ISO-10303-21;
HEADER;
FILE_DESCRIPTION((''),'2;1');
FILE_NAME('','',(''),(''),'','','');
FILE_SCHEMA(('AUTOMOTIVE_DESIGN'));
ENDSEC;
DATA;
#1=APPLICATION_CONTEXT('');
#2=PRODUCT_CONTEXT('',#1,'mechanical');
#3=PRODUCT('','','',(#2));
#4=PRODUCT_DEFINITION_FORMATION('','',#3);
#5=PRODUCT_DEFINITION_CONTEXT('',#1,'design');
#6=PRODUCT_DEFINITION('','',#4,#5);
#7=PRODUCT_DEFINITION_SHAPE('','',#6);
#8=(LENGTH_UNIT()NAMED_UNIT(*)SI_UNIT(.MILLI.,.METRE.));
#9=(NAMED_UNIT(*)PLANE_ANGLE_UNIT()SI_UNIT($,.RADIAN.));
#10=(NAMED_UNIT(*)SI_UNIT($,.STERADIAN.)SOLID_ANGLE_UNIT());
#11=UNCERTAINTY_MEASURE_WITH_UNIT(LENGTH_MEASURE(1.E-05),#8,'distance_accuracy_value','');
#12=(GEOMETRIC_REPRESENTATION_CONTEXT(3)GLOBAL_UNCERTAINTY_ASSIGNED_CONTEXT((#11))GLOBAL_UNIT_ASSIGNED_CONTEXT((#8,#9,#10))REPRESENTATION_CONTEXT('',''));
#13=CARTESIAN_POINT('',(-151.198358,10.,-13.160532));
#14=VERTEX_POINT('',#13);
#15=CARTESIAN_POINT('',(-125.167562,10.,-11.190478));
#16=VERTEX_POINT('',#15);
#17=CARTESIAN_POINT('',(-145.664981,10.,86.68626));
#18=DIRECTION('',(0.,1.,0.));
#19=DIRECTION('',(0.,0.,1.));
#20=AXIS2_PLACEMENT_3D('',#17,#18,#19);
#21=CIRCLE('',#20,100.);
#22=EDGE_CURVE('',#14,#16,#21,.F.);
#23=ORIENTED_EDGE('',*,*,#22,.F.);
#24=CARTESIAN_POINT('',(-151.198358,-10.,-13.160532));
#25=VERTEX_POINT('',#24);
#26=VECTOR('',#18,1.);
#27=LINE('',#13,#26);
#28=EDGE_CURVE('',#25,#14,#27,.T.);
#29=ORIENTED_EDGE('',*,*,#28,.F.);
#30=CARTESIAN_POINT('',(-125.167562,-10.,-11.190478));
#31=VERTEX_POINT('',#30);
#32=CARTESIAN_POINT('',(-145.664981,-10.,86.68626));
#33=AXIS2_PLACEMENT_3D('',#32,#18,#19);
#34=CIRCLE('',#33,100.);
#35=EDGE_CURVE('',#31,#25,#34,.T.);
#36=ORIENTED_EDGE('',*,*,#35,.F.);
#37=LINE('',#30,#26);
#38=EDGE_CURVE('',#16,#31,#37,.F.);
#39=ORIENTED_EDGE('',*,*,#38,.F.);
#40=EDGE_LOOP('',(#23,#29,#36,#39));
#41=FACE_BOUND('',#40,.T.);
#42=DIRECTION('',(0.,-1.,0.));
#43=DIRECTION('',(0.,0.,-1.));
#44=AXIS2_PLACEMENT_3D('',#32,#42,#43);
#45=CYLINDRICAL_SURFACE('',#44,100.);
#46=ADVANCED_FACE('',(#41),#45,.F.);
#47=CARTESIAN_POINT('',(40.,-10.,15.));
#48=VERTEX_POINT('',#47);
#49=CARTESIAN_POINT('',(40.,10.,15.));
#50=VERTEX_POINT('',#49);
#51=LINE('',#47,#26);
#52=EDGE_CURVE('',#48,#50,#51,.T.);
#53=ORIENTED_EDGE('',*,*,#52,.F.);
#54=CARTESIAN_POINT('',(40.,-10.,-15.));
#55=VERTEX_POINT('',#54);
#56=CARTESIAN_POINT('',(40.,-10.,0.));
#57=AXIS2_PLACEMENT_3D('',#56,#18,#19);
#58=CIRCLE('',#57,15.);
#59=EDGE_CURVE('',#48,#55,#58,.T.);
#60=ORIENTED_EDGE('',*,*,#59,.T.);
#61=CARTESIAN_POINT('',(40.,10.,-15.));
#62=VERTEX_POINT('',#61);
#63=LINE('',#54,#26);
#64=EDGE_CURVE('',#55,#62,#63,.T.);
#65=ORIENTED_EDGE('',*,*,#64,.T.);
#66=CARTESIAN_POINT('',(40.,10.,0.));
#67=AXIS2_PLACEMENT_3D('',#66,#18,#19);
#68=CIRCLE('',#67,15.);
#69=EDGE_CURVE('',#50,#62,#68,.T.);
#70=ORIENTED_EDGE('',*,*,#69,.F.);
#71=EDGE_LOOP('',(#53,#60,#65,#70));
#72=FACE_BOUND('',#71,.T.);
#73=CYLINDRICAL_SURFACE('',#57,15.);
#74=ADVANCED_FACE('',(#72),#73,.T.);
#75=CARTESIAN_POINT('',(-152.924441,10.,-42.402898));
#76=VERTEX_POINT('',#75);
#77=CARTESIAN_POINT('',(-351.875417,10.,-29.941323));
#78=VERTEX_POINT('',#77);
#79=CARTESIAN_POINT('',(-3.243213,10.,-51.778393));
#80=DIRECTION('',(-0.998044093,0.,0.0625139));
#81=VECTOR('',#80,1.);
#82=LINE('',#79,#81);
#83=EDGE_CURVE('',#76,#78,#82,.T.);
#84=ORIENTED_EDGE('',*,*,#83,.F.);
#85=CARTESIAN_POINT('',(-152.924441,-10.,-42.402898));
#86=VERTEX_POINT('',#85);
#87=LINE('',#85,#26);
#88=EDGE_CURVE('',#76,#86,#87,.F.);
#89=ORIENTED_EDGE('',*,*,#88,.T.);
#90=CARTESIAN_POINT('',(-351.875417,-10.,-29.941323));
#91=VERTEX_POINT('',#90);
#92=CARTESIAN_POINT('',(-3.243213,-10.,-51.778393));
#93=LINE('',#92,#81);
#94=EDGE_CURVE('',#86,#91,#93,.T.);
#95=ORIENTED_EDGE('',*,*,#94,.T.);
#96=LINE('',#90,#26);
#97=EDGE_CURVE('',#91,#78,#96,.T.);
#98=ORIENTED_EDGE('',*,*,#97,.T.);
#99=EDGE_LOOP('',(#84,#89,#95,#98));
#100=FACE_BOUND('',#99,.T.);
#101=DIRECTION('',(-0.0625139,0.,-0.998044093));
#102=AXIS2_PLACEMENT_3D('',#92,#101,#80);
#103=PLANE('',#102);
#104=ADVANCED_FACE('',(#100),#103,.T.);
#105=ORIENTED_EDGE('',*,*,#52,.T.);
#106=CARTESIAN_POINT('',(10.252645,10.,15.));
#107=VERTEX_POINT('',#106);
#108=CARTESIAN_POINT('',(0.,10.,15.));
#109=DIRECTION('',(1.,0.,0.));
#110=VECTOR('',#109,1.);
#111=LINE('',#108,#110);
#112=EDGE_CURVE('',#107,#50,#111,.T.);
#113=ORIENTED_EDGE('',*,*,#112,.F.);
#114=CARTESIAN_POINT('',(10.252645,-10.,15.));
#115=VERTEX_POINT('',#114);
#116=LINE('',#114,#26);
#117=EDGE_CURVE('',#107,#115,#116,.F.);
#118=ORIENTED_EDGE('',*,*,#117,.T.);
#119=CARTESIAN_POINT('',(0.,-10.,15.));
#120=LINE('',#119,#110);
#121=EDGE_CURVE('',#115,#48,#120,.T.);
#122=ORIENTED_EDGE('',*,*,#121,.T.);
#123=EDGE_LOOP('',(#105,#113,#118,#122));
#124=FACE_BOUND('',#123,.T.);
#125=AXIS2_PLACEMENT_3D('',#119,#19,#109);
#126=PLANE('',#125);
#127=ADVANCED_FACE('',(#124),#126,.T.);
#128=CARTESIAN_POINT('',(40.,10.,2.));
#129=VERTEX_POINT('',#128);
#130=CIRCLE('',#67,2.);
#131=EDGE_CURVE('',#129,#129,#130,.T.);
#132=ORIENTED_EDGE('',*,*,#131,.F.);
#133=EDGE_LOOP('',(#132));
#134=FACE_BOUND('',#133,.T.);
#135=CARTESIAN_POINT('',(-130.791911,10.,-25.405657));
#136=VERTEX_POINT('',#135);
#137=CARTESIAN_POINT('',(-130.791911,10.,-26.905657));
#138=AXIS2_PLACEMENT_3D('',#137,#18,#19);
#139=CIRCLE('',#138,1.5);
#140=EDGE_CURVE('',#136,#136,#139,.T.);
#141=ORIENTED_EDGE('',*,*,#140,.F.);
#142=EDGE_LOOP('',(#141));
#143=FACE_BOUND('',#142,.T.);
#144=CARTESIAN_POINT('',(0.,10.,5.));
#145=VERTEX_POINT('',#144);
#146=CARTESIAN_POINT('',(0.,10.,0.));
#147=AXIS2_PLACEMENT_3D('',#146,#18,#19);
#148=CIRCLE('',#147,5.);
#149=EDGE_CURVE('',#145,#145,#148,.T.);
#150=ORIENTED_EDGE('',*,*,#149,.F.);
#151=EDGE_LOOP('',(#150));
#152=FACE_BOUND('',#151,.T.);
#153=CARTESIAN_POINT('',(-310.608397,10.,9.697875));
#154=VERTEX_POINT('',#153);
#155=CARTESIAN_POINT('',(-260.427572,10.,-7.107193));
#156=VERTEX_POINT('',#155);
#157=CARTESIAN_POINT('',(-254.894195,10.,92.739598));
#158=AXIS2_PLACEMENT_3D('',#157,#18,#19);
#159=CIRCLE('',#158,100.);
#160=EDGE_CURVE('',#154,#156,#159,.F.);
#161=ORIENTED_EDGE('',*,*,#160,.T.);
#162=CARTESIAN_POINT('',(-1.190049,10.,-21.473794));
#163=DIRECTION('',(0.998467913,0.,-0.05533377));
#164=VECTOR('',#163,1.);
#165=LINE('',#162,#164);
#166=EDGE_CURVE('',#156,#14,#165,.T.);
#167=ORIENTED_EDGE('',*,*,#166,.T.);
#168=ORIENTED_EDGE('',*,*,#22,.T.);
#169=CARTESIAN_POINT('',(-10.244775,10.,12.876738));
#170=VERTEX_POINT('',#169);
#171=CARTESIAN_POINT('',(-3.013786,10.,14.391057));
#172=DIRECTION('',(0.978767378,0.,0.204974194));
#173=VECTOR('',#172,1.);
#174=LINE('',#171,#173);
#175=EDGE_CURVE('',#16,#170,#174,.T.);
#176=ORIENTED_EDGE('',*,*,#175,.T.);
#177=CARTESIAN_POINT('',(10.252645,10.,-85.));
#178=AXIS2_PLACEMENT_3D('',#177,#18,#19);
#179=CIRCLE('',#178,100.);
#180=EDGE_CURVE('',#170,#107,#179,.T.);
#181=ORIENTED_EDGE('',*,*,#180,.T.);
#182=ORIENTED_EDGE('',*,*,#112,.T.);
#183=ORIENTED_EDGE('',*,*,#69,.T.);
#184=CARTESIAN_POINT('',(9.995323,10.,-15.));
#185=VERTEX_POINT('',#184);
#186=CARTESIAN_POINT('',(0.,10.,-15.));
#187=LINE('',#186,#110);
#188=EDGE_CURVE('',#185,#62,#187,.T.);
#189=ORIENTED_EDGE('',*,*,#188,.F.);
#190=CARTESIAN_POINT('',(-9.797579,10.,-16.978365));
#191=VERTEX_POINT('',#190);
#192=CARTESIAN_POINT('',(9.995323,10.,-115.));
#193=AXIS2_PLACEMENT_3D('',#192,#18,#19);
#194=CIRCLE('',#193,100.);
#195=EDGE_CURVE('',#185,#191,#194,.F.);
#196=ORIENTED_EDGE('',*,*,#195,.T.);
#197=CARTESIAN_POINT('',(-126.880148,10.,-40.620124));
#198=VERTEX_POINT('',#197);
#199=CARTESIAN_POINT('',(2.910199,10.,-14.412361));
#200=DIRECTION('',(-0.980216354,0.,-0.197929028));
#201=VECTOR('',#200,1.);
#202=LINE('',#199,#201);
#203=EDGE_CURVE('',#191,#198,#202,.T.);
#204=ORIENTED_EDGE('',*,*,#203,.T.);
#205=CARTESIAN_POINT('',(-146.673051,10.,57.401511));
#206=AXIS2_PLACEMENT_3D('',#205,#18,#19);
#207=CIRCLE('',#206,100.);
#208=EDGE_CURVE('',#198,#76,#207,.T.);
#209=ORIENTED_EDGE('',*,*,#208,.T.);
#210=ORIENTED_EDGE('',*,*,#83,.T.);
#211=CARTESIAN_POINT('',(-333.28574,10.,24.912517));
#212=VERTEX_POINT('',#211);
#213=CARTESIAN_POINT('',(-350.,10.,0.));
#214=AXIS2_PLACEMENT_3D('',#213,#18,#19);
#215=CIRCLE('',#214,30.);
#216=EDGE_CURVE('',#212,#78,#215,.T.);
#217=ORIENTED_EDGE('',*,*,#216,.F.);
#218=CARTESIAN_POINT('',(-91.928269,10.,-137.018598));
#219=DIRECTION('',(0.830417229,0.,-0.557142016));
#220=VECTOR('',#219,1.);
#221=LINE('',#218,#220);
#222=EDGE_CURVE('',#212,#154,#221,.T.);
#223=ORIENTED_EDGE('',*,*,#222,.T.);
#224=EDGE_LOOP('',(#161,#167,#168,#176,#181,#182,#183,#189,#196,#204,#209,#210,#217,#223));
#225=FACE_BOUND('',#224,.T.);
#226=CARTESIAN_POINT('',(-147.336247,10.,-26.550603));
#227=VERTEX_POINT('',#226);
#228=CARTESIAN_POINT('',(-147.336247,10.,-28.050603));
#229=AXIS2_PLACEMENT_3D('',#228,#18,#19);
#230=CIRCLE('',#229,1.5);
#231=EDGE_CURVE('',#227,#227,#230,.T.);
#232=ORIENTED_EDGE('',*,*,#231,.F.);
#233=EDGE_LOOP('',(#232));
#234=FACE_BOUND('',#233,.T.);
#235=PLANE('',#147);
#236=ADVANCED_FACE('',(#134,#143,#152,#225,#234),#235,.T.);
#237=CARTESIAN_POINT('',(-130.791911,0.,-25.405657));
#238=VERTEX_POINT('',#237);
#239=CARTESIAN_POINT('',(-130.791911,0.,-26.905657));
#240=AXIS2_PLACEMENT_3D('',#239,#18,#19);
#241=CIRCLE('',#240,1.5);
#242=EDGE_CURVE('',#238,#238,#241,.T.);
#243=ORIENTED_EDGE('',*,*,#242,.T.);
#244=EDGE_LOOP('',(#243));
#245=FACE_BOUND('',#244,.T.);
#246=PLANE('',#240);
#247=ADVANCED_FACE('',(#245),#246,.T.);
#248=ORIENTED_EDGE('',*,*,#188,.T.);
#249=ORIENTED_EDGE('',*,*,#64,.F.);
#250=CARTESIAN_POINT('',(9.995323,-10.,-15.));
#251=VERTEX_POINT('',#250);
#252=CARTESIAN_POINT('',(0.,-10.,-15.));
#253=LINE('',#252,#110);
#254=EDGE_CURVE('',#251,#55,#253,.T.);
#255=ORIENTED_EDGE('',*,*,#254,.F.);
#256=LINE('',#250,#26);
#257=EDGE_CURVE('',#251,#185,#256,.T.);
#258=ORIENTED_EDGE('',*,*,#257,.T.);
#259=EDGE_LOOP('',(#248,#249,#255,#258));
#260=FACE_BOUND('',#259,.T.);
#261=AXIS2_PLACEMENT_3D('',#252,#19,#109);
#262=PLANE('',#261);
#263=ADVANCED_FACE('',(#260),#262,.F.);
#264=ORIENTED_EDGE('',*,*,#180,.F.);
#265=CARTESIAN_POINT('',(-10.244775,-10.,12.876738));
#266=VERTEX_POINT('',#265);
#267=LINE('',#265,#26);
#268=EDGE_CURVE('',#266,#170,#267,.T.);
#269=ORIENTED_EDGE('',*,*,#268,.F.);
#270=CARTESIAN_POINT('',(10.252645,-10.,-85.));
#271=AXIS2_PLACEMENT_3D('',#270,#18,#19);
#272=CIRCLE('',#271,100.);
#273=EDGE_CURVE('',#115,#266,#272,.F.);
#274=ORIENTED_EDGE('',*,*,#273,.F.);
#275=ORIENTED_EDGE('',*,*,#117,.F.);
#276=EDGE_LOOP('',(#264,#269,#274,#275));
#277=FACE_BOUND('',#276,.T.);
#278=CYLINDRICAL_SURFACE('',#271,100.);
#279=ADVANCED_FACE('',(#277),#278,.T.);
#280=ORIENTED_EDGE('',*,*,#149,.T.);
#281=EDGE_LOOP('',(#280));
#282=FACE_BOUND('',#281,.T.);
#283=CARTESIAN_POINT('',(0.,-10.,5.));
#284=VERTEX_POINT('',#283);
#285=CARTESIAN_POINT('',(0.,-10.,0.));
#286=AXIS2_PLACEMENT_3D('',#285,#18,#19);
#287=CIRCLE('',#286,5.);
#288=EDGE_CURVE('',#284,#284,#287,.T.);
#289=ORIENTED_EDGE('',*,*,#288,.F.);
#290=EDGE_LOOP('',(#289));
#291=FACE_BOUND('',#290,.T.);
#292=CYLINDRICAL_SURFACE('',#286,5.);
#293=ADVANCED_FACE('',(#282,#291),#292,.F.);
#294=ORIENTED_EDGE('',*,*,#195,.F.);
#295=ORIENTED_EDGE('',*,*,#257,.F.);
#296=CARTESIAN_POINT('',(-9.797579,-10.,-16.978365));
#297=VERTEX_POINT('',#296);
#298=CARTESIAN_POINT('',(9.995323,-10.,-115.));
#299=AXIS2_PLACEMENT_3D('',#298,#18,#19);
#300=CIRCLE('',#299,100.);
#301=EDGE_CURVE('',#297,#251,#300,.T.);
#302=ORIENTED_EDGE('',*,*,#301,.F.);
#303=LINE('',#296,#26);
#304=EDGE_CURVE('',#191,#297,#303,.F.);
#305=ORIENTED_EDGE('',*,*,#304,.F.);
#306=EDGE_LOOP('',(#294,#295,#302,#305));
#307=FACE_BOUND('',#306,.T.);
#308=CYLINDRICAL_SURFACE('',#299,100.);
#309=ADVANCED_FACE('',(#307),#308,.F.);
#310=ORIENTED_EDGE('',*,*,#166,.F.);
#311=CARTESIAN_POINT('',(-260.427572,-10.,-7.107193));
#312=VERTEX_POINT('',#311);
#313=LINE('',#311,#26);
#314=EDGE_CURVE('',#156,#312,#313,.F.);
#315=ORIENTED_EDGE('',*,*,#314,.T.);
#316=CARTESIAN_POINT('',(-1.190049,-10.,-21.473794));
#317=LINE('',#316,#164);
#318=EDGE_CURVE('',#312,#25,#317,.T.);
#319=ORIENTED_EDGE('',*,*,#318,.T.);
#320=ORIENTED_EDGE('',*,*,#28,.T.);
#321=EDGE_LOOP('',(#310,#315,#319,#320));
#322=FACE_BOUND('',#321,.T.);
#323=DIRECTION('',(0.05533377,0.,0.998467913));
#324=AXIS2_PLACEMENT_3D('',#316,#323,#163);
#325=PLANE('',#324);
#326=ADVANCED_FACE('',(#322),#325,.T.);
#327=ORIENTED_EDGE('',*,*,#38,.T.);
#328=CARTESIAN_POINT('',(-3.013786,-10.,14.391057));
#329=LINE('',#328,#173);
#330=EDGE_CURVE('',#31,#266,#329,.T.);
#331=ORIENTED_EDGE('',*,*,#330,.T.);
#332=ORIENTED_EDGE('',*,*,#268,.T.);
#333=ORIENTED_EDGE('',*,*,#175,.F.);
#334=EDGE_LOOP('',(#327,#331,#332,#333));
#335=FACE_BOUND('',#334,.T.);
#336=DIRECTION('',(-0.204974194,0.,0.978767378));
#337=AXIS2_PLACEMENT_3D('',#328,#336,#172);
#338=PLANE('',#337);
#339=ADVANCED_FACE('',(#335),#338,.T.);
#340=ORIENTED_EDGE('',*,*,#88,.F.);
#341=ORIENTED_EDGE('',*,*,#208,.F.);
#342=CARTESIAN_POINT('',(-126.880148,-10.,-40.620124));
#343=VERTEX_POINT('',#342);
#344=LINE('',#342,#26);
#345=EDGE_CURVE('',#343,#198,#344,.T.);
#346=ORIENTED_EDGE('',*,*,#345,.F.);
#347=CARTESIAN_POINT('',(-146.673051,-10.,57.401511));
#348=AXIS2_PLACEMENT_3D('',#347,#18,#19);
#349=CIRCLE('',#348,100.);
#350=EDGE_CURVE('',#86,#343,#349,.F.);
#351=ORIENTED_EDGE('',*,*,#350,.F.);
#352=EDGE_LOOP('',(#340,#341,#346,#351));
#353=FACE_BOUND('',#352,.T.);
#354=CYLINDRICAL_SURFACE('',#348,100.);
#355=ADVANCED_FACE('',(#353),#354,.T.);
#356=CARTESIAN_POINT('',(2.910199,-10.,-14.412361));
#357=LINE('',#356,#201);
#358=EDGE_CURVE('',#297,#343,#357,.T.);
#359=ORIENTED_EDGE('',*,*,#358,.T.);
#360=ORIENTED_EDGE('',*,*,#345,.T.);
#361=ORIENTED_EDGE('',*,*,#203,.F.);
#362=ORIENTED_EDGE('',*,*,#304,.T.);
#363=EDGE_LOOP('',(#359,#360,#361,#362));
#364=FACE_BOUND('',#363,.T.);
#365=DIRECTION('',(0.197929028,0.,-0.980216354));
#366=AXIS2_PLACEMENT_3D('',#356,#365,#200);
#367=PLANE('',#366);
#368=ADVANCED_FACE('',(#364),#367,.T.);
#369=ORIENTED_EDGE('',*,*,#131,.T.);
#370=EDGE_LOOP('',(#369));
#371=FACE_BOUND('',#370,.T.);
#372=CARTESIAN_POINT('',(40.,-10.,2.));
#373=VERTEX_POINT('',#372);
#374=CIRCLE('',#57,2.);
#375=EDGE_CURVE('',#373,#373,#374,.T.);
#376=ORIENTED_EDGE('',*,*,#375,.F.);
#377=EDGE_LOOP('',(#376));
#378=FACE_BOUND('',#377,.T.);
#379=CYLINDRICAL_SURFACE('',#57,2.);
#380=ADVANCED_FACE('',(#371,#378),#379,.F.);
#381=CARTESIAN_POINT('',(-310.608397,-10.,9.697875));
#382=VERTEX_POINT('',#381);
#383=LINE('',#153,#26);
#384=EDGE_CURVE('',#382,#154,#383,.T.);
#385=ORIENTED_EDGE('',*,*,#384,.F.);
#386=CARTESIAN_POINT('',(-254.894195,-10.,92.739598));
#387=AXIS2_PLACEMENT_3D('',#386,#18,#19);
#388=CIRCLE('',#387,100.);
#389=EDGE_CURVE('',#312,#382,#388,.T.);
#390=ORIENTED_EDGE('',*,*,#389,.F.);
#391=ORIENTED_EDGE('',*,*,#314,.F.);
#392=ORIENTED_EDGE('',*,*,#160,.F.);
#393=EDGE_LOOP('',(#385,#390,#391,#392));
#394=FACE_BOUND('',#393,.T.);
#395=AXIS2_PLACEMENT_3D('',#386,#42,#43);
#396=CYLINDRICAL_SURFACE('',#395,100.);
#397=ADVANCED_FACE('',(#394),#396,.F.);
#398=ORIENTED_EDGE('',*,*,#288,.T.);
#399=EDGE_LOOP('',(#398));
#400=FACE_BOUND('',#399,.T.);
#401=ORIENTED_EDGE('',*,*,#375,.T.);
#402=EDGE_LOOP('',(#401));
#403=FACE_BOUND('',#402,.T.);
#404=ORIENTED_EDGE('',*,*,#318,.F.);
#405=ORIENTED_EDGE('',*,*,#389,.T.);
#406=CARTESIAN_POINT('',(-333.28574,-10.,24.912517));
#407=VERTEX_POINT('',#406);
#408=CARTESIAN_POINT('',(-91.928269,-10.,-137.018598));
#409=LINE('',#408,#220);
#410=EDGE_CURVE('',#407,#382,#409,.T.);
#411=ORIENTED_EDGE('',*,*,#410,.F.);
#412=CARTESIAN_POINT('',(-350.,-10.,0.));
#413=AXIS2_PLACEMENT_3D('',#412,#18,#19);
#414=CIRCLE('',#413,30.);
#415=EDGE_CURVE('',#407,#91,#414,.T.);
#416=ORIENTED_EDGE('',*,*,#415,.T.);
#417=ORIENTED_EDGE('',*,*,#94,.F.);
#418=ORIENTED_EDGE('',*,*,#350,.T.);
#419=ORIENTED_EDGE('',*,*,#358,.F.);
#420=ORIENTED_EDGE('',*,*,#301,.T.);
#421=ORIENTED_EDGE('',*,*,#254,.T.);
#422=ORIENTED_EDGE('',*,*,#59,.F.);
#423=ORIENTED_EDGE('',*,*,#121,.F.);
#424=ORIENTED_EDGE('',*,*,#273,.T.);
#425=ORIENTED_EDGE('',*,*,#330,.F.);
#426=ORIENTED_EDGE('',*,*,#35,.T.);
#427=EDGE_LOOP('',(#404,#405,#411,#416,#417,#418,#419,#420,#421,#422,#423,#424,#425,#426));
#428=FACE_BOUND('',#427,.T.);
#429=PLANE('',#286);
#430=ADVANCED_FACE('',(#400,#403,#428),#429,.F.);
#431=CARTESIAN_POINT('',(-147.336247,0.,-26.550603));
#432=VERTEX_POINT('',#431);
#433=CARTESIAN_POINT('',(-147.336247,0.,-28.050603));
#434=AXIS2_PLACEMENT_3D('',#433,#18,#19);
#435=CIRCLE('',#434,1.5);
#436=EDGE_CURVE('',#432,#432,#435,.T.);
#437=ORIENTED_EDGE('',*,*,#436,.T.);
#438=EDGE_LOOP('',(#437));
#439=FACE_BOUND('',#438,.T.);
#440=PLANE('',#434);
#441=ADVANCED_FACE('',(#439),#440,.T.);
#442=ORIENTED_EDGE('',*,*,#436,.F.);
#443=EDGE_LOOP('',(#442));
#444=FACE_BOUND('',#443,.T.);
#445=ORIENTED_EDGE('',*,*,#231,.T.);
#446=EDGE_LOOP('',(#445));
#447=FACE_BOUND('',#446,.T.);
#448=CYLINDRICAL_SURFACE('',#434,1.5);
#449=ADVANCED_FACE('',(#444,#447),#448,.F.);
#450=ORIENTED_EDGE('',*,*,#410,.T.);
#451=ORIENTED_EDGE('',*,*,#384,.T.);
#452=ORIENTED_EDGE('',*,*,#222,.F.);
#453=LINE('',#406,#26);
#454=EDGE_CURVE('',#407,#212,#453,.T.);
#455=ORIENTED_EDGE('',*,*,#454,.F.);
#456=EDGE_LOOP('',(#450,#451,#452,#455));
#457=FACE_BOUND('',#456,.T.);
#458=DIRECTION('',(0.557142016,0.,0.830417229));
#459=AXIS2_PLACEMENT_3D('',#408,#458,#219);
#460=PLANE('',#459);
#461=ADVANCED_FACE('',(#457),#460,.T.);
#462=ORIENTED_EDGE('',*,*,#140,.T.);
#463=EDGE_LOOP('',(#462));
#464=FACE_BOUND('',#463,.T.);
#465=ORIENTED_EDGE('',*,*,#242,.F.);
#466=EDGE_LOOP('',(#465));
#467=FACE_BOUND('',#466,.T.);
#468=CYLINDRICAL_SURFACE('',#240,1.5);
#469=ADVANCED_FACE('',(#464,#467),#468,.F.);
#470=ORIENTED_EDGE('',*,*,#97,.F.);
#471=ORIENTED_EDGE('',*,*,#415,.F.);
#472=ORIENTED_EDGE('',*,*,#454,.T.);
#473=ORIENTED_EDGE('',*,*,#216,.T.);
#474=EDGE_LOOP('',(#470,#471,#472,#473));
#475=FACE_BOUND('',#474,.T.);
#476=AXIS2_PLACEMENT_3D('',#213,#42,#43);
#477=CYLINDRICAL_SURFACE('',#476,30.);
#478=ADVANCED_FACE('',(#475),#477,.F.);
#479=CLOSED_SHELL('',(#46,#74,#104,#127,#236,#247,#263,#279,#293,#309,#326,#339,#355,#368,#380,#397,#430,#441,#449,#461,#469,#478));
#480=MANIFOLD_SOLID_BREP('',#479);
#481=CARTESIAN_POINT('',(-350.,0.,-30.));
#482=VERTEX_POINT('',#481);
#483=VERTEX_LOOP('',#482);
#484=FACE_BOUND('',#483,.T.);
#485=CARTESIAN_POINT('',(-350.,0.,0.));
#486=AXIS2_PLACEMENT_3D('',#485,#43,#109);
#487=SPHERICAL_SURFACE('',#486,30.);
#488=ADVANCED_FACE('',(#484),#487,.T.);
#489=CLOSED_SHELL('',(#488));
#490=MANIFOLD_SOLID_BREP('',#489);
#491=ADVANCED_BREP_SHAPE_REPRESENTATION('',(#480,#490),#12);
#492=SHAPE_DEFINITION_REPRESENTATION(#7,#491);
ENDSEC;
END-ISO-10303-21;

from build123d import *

# Parameters (mm, degrees)
BOSS_EXTRUDE1_DEPTH      = 10
BOSS_EXTRUDE1_DEPTH_BACK = 10
SKETCH1_R                = 5
SKETCH1_R_2              = 2
FILLET1_R                = 100
SKETCH2_R                = 1.5
CUT_EXTRUDE1_DEPTH       = 10
CUT_EXTRUDE2_DEPTH       = 10
CUT_EXTRUDE2_DEPTH_BACK  = 10
SKETCH3_R                = 30


with BuildPart() as part:
    # Sketch1 → Boss-Extrude1 (new, two sides: drawn at the far end of the back side and taken through both)
    with BuildSketch(Plane(origin=(0, 0, 0), x_dir=(1, 0, 0), z_dir=(0, 1, 0)).offset(-BOSS_EXTRUDE1_DEPTH_BACK)):
        with BuildLine():
            Line((-138.053278996, 13.889014505), (-5.919683, -13.782501703))
            Line((-5.919683, -13.782501703), (0, -15))
            Line((0, -15), (40, -15))
            ThreePointArc((40, -15), (55, 0), (40, 15))
            Line((40, 15), (0, 15))
            Line((0, 15), (-139.784941349, 43.225909045))
            Line((-139.784941349, 43.225909045), (-351.875415017, 29.941322925))
            ThreePointArc((-351.875415017, 29.941322925), (-378.412739548, -9.628926804), (-333.285739517, -24.912516864))
            Line((-333.285739517, -24.912516864), (-287.823465989, 5.588948968))
            Line((-287.823465989, 5.588948968), (-138.053278996, 13.889014505))
        make_face()
        Circle(SKETCH1_R, mode=Mode.SUBTRACT)
        with Locations((40, 0)):
            Circle(SKETCH1_R_2, mode=Mode.SUBTRACT)
    extrude(amount=BOSS_EXTRUDE1_DEPTH + BOSS_EXTRUDE1_DEPTH_BACK)

    # Fillet1
    fillet1_edges = [part.edges().sort_by_distance(p)[0] for p in [
        (0, 0, -15),
        (-139.784941349, 0, -43.225909045),
        (-138.053278996, 0, -13.889014505),
        (-287.823465989, 0, -5.588948968),
        (0, 0, 15),
    ]]
    fillet(fillet1_edges, radius=FILLET1_R)

    # Sketch2 → Cut-Extrude1 (cut)
    with BuildSketch(Plane(origin=(0, 10, 0), x_dir=(1, 0, 0), z_dir=(0, 1, 0))):
        with Locations((-147.336246923, 28.050603479)):
            Circle(SKETCH2_R)
        with Locations((-130.791911053, 26.905656844)):
            Circle(SKETCH2_R)
        with Locations((-364.746711272, 9.415773639)):
            Circle(SKETCH2_R)
        with Locations((-348.032450789, -15.496743225)):
            Circle(SKETCH2_R)
    extrude(amount=-CUT_EXTRUDE1_DEPTH, mode=Mode.SUBTRACT)

    # Sketch3 → Cut-Extrude2 (cut, two sides: drawn at the far end of the back side and taken through both)
    with BuildSketch(Plane(origin=(0, 0, 0), x_dir=(1, 0, 0), z_dir=(0, 1, 0)).offset(-CUT_EXTRUDE2_DEPTH_BACK)):
        with Locations((-350, 0)):
            Circle(SKETCH3_R)
    extrude(amount=CUT_EXTRUDE2_DEPTH + CUT_EXTRUDE2_DEPTH_BACK, mode=Mode.SUBTRACT)


with BuildPart() as body_2:
    # Sketch4 → Revolve6 (revolve)
    with BuildSketch(Plane(origin=(0, 0, 0), x_dir=(1, 0, 0), z_dir=(0, 1, 0))):
        with BuildLine():
            Line((-350, 30), (-350, -30))
            ThreePointArc((-350, -30), (-380, 0), (-350, 30))
        make_face()
    revolve(axis=Axis((-350, 0, -30), (0, 0, 1)))


solid = Compound([part.part, body_2.part])
